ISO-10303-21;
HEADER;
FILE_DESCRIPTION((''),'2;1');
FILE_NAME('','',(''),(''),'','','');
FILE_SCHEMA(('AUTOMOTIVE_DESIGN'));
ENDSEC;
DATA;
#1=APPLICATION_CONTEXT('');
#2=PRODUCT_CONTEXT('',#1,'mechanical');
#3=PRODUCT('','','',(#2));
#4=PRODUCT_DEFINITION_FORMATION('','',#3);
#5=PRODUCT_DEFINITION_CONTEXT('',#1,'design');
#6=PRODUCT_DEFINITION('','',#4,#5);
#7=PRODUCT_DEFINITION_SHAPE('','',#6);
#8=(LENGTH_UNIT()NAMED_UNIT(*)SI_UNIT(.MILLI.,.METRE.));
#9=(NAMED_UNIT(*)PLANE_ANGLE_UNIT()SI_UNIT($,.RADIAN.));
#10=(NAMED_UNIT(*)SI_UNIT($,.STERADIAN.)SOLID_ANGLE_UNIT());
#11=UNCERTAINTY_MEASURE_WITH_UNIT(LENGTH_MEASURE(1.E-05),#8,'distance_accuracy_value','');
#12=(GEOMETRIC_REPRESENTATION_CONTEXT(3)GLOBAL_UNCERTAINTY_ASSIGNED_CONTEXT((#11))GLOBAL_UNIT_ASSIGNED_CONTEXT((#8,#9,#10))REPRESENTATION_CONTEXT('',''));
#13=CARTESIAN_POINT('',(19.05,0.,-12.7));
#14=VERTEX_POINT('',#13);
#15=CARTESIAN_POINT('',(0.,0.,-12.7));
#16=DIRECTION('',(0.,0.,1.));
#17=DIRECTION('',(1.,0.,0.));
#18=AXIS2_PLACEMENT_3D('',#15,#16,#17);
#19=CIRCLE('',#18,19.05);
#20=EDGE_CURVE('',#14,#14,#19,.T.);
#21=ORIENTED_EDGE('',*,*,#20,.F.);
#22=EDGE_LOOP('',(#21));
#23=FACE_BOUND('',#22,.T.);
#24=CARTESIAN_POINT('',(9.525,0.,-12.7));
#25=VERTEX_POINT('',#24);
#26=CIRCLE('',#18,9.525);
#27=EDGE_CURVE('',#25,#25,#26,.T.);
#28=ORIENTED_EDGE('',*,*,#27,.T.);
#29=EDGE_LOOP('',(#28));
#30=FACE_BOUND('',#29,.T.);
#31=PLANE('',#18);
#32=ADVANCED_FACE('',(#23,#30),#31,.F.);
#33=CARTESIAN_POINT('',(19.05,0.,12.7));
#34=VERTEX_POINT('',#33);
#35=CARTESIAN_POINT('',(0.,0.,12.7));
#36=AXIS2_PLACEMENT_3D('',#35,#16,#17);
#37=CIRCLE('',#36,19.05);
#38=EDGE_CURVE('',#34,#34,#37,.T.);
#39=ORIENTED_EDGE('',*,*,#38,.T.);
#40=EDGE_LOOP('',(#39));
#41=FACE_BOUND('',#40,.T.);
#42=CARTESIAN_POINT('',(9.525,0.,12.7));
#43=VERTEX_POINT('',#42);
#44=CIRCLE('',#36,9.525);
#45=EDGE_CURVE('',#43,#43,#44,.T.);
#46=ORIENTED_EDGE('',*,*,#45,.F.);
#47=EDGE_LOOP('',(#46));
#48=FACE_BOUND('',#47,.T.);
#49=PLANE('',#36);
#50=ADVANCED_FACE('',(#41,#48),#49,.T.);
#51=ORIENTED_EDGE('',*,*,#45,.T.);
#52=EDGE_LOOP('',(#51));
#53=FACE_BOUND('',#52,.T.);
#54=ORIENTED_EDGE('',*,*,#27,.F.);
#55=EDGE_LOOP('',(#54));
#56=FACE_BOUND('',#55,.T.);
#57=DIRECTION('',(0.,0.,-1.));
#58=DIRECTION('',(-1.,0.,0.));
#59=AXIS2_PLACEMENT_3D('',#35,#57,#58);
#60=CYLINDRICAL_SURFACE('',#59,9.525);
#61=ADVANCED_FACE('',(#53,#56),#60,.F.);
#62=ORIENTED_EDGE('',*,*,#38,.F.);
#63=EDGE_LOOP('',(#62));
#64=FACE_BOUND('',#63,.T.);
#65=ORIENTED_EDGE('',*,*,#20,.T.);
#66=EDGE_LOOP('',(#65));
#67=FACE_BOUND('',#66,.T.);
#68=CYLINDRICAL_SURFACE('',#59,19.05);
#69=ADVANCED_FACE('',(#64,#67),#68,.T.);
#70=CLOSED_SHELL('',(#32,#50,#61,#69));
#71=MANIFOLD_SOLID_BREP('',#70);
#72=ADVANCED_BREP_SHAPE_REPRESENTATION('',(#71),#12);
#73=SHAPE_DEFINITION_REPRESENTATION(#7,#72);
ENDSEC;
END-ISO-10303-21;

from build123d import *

# Parameters (mm, degrees)
SKETCH1_R      = 19.05
SKETCH1_R_2    = 9.525
EXTRUDE1_DEPTH = 12.7


with BuildPart() as part:
    # Sketch1 → Extrude1 (new body, symmetric)
    with BuildSketch(Plane.XY):
        Circle(SKETCH1_R)
        Circle(SKETCH1_R_2, mode=Mode.SUBTRACT)
    extrude(amount=EXTRUDE1_DEPTH, both=True)


solid = part.part
